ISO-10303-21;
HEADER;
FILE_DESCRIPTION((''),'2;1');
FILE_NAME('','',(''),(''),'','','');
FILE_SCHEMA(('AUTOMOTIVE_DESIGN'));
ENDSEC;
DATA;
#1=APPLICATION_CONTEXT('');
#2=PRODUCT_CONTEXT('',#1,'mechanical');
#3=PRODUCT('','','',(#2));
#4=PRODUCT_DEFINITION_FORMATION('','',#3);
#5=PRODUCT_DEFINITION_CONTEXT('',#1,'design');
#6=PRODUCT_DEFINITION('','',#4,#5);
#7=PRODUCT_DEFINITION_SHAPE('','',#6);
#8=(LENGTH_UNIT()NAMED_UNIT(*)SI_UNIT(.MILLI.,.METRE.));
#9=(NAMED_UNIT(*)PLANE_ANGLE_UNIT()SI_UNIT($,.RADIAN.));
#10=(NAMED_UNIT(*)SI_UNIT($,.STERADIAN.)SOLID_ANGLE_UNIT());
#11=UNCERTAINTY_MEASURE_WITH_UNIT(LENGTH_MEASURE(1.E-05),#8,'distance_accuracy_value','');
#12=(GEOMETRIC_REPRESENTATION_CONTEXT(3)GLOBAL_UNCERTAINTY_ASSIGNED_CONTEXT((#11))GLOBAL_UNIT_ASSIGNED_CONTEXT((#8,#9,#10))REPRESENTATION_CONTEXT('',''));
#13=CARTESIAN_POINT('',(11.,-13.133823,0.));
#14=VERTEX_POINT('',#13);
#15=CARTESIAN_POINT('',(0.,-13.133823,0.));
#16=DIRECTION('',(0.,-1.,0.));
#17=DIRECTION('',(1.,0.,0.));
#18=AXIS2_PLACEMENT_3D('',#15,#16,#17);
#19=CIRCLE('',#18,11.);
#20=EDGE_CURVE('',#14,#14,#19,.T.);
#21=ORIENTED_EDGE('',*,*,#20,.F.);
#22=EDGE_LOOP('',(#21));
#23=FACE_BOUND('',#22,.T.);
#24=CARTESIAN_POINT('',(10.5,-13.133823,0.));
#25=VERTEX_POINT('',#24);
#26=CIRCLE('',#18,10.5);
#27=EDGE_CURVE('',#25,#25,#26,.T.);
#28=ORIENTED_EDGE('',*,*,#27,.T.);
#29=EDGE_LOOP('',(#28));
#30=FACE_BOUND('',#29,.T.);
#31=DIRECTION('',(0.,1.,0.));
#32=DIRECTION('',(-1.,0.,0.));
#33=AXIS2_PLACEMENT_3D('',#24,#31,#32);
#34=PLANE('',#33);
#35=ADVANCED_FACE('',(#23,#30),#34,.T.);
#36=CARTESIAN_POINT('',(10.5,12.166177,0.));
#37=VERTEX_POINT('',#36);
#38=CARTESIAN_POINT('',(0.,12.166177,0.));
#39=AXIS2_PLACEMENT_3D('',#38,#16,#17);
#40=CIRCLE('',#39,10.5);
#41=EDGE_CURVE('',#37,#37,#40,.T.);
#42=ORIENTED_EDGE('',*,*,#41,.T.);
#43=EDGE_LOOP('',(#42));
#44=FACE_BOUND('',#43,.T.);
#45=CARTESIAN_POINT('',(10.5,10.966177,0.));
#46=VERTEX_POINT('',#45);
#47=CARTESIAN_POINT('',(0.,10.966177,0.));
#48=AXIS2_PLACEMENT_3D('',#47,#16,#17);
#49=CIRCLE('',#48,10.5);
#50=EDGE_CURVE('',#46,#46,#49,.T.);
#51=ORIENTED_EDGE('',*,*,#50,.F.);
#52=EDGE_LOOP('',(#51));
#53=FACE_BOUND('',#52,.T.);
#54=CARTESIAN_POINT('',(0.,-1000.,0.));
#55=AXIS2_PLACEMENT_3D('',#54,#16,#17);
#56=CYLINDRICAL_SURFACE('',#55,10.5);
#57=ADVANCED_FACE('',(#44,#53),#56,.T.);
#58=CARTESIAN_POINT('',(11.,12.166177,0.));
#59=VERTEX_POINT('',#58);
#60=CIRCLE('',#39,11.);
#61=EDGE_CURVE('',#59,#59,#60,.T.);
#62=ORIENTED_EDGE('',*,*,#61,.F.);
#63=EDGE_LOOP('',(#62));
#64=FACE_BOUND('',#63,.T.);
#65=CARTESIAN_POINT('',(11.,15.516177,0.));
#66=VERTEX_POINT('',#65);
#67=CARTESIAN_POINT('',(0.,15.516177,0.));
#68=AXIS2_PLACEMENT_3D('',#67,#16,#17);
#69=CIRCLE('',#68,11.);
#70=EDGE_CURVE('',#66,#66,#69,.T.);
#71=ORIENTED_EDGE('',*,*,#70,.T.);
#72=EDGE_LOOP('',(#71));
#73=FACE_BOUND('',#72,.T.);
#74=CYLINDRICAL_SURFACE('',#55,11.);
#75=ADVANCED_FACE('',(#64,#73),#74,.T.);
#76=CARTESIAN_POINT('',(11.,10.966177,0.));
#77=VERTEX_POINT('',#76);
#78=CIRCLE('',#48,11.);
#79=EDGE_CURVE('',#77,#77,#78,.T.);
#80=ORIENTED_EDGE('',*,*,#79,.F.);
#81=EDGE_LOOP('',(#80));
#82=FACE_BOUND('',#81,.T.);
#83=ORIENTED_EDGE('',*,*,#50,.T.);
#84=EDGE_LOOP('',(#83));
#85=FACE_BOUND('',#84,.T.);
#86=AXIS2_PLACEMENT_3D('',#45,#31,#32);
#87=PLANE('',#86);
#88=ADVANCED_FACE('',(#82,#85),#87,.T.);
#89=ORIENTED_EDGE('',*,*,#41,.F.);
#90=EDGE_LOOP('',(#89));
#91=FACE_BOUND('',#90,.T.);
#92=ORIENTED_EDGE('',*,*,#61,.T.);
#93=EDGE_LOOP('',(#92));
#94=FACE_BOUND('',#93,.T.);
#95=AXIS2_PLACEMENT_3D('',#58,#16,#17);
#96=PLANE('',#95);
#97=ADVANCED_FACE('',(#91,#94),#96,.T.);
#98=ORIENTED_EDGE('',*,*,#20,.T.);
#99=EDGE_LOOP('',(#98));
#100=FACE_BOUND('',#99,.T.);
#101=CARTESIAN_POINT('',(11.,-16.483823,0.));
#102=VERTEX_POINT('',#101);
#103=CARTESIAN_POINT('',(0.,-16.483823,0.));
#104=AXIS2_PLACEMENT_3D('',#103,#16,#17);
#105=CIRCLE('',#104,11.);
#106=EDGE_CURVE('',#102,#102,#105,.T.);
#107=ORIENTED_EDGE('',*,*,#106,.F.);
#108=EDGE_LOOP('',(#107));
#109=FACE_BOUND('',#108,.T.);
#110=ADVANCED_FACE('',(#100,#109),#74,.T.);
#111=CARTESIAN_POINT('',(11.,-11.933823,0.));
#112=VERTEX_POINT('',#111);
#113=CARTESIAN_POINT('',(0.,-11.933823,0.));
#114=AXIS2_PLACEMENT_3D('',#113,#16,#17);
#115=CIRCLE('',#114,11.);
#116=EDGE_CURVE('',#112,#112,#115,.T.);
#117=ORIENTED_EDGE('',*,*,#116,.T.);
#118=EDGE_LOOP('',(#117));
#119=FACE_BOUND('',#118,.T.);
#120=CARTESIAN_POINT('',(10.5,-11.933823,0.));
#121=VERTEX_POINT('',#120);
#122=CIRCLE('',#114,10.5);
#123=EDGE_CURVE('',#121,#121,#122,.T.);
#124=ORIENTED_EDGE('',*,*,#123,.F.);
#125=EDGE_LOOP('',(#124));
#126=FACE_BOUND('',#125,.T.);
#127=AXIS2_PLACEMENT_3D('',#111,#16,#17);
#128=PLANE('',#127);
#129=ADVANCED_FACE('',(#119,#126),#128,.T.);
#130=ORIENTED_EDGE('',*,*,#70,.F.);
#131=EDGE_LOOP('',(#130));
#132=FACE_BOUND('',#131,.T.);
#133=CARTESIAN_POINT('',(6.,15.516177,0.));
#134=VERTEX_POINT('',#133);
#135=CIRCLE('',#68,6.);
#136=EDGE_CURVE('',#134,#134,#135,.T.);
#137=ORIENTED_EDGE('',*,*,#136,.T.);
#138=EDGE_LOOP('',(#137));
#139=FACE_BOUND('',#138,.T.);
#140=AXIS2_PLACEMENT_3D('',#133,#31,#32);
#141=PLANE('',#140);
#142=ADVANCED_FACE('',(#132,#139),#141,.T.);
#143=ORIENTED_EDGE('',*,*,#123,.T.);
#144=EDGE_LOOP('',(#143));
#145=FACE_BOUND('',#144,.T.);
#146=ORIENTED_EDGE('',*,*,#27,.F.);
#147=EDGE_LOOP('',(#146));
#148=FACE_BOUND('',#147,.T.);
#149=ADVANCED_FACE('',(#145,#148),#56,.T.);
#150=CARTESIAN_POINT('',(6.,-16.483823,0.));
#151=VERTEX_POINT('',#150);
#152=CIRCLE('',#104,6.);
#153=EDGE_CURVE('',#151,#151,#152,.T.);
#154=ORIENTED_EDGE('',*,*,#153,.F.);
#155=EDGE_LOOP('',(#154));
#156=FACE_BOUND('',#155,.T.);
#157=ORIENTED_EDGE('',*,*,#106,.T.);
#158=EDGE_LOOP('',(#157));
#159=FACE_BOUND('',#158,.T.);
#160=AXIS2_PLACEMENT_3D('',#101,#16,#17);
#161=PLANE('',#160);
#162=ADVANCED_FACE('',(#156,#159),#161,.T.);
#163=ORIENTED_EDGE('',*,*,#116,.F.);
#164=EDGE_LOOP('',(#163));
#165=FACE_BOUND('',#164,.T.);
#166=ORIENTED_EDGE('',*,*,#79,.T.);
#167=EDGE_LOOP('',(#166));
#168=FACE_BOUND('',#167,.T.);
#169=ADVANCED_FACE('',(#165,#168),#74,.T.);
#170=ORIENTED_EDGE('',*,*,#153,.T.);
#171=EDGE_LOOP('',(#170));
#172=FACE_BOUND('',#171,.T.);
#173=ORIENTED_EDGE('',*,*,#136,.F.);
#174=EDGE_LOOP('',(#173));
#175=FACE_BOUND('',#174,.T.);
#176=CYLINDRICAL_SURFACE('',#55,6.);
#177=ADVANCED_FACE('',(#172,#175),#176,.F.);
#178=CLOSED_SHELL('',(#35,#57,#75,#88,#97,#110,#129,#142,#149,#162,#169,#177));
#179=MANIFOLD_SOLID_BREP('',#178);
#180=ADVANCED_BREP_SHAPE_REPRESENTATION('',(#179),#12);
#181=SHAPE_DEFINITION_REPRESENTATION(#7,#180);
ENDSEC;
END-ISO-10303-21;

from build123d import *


with BuildPart() as part:
    # Sketch1 → Revolve1 (revolve)
    with BuildSketch(Plane.XY):
        Polygon((6, -16.483823389), (6, 15.516176611), (11, 15.516176611), (11, 12.166176611), (10.5, 12.166176611), (10.5, 10.966176611), (11, 10.966176611), (11, -11.933823389), (10.5, -11.933823389), (10.5, -13.133823389), (11, -13.133823389), (11, -16.483823389), align=None)
    revolve(axis=Axis((0, -1000, 0), (0, 1, 0)))


solid = part.part
